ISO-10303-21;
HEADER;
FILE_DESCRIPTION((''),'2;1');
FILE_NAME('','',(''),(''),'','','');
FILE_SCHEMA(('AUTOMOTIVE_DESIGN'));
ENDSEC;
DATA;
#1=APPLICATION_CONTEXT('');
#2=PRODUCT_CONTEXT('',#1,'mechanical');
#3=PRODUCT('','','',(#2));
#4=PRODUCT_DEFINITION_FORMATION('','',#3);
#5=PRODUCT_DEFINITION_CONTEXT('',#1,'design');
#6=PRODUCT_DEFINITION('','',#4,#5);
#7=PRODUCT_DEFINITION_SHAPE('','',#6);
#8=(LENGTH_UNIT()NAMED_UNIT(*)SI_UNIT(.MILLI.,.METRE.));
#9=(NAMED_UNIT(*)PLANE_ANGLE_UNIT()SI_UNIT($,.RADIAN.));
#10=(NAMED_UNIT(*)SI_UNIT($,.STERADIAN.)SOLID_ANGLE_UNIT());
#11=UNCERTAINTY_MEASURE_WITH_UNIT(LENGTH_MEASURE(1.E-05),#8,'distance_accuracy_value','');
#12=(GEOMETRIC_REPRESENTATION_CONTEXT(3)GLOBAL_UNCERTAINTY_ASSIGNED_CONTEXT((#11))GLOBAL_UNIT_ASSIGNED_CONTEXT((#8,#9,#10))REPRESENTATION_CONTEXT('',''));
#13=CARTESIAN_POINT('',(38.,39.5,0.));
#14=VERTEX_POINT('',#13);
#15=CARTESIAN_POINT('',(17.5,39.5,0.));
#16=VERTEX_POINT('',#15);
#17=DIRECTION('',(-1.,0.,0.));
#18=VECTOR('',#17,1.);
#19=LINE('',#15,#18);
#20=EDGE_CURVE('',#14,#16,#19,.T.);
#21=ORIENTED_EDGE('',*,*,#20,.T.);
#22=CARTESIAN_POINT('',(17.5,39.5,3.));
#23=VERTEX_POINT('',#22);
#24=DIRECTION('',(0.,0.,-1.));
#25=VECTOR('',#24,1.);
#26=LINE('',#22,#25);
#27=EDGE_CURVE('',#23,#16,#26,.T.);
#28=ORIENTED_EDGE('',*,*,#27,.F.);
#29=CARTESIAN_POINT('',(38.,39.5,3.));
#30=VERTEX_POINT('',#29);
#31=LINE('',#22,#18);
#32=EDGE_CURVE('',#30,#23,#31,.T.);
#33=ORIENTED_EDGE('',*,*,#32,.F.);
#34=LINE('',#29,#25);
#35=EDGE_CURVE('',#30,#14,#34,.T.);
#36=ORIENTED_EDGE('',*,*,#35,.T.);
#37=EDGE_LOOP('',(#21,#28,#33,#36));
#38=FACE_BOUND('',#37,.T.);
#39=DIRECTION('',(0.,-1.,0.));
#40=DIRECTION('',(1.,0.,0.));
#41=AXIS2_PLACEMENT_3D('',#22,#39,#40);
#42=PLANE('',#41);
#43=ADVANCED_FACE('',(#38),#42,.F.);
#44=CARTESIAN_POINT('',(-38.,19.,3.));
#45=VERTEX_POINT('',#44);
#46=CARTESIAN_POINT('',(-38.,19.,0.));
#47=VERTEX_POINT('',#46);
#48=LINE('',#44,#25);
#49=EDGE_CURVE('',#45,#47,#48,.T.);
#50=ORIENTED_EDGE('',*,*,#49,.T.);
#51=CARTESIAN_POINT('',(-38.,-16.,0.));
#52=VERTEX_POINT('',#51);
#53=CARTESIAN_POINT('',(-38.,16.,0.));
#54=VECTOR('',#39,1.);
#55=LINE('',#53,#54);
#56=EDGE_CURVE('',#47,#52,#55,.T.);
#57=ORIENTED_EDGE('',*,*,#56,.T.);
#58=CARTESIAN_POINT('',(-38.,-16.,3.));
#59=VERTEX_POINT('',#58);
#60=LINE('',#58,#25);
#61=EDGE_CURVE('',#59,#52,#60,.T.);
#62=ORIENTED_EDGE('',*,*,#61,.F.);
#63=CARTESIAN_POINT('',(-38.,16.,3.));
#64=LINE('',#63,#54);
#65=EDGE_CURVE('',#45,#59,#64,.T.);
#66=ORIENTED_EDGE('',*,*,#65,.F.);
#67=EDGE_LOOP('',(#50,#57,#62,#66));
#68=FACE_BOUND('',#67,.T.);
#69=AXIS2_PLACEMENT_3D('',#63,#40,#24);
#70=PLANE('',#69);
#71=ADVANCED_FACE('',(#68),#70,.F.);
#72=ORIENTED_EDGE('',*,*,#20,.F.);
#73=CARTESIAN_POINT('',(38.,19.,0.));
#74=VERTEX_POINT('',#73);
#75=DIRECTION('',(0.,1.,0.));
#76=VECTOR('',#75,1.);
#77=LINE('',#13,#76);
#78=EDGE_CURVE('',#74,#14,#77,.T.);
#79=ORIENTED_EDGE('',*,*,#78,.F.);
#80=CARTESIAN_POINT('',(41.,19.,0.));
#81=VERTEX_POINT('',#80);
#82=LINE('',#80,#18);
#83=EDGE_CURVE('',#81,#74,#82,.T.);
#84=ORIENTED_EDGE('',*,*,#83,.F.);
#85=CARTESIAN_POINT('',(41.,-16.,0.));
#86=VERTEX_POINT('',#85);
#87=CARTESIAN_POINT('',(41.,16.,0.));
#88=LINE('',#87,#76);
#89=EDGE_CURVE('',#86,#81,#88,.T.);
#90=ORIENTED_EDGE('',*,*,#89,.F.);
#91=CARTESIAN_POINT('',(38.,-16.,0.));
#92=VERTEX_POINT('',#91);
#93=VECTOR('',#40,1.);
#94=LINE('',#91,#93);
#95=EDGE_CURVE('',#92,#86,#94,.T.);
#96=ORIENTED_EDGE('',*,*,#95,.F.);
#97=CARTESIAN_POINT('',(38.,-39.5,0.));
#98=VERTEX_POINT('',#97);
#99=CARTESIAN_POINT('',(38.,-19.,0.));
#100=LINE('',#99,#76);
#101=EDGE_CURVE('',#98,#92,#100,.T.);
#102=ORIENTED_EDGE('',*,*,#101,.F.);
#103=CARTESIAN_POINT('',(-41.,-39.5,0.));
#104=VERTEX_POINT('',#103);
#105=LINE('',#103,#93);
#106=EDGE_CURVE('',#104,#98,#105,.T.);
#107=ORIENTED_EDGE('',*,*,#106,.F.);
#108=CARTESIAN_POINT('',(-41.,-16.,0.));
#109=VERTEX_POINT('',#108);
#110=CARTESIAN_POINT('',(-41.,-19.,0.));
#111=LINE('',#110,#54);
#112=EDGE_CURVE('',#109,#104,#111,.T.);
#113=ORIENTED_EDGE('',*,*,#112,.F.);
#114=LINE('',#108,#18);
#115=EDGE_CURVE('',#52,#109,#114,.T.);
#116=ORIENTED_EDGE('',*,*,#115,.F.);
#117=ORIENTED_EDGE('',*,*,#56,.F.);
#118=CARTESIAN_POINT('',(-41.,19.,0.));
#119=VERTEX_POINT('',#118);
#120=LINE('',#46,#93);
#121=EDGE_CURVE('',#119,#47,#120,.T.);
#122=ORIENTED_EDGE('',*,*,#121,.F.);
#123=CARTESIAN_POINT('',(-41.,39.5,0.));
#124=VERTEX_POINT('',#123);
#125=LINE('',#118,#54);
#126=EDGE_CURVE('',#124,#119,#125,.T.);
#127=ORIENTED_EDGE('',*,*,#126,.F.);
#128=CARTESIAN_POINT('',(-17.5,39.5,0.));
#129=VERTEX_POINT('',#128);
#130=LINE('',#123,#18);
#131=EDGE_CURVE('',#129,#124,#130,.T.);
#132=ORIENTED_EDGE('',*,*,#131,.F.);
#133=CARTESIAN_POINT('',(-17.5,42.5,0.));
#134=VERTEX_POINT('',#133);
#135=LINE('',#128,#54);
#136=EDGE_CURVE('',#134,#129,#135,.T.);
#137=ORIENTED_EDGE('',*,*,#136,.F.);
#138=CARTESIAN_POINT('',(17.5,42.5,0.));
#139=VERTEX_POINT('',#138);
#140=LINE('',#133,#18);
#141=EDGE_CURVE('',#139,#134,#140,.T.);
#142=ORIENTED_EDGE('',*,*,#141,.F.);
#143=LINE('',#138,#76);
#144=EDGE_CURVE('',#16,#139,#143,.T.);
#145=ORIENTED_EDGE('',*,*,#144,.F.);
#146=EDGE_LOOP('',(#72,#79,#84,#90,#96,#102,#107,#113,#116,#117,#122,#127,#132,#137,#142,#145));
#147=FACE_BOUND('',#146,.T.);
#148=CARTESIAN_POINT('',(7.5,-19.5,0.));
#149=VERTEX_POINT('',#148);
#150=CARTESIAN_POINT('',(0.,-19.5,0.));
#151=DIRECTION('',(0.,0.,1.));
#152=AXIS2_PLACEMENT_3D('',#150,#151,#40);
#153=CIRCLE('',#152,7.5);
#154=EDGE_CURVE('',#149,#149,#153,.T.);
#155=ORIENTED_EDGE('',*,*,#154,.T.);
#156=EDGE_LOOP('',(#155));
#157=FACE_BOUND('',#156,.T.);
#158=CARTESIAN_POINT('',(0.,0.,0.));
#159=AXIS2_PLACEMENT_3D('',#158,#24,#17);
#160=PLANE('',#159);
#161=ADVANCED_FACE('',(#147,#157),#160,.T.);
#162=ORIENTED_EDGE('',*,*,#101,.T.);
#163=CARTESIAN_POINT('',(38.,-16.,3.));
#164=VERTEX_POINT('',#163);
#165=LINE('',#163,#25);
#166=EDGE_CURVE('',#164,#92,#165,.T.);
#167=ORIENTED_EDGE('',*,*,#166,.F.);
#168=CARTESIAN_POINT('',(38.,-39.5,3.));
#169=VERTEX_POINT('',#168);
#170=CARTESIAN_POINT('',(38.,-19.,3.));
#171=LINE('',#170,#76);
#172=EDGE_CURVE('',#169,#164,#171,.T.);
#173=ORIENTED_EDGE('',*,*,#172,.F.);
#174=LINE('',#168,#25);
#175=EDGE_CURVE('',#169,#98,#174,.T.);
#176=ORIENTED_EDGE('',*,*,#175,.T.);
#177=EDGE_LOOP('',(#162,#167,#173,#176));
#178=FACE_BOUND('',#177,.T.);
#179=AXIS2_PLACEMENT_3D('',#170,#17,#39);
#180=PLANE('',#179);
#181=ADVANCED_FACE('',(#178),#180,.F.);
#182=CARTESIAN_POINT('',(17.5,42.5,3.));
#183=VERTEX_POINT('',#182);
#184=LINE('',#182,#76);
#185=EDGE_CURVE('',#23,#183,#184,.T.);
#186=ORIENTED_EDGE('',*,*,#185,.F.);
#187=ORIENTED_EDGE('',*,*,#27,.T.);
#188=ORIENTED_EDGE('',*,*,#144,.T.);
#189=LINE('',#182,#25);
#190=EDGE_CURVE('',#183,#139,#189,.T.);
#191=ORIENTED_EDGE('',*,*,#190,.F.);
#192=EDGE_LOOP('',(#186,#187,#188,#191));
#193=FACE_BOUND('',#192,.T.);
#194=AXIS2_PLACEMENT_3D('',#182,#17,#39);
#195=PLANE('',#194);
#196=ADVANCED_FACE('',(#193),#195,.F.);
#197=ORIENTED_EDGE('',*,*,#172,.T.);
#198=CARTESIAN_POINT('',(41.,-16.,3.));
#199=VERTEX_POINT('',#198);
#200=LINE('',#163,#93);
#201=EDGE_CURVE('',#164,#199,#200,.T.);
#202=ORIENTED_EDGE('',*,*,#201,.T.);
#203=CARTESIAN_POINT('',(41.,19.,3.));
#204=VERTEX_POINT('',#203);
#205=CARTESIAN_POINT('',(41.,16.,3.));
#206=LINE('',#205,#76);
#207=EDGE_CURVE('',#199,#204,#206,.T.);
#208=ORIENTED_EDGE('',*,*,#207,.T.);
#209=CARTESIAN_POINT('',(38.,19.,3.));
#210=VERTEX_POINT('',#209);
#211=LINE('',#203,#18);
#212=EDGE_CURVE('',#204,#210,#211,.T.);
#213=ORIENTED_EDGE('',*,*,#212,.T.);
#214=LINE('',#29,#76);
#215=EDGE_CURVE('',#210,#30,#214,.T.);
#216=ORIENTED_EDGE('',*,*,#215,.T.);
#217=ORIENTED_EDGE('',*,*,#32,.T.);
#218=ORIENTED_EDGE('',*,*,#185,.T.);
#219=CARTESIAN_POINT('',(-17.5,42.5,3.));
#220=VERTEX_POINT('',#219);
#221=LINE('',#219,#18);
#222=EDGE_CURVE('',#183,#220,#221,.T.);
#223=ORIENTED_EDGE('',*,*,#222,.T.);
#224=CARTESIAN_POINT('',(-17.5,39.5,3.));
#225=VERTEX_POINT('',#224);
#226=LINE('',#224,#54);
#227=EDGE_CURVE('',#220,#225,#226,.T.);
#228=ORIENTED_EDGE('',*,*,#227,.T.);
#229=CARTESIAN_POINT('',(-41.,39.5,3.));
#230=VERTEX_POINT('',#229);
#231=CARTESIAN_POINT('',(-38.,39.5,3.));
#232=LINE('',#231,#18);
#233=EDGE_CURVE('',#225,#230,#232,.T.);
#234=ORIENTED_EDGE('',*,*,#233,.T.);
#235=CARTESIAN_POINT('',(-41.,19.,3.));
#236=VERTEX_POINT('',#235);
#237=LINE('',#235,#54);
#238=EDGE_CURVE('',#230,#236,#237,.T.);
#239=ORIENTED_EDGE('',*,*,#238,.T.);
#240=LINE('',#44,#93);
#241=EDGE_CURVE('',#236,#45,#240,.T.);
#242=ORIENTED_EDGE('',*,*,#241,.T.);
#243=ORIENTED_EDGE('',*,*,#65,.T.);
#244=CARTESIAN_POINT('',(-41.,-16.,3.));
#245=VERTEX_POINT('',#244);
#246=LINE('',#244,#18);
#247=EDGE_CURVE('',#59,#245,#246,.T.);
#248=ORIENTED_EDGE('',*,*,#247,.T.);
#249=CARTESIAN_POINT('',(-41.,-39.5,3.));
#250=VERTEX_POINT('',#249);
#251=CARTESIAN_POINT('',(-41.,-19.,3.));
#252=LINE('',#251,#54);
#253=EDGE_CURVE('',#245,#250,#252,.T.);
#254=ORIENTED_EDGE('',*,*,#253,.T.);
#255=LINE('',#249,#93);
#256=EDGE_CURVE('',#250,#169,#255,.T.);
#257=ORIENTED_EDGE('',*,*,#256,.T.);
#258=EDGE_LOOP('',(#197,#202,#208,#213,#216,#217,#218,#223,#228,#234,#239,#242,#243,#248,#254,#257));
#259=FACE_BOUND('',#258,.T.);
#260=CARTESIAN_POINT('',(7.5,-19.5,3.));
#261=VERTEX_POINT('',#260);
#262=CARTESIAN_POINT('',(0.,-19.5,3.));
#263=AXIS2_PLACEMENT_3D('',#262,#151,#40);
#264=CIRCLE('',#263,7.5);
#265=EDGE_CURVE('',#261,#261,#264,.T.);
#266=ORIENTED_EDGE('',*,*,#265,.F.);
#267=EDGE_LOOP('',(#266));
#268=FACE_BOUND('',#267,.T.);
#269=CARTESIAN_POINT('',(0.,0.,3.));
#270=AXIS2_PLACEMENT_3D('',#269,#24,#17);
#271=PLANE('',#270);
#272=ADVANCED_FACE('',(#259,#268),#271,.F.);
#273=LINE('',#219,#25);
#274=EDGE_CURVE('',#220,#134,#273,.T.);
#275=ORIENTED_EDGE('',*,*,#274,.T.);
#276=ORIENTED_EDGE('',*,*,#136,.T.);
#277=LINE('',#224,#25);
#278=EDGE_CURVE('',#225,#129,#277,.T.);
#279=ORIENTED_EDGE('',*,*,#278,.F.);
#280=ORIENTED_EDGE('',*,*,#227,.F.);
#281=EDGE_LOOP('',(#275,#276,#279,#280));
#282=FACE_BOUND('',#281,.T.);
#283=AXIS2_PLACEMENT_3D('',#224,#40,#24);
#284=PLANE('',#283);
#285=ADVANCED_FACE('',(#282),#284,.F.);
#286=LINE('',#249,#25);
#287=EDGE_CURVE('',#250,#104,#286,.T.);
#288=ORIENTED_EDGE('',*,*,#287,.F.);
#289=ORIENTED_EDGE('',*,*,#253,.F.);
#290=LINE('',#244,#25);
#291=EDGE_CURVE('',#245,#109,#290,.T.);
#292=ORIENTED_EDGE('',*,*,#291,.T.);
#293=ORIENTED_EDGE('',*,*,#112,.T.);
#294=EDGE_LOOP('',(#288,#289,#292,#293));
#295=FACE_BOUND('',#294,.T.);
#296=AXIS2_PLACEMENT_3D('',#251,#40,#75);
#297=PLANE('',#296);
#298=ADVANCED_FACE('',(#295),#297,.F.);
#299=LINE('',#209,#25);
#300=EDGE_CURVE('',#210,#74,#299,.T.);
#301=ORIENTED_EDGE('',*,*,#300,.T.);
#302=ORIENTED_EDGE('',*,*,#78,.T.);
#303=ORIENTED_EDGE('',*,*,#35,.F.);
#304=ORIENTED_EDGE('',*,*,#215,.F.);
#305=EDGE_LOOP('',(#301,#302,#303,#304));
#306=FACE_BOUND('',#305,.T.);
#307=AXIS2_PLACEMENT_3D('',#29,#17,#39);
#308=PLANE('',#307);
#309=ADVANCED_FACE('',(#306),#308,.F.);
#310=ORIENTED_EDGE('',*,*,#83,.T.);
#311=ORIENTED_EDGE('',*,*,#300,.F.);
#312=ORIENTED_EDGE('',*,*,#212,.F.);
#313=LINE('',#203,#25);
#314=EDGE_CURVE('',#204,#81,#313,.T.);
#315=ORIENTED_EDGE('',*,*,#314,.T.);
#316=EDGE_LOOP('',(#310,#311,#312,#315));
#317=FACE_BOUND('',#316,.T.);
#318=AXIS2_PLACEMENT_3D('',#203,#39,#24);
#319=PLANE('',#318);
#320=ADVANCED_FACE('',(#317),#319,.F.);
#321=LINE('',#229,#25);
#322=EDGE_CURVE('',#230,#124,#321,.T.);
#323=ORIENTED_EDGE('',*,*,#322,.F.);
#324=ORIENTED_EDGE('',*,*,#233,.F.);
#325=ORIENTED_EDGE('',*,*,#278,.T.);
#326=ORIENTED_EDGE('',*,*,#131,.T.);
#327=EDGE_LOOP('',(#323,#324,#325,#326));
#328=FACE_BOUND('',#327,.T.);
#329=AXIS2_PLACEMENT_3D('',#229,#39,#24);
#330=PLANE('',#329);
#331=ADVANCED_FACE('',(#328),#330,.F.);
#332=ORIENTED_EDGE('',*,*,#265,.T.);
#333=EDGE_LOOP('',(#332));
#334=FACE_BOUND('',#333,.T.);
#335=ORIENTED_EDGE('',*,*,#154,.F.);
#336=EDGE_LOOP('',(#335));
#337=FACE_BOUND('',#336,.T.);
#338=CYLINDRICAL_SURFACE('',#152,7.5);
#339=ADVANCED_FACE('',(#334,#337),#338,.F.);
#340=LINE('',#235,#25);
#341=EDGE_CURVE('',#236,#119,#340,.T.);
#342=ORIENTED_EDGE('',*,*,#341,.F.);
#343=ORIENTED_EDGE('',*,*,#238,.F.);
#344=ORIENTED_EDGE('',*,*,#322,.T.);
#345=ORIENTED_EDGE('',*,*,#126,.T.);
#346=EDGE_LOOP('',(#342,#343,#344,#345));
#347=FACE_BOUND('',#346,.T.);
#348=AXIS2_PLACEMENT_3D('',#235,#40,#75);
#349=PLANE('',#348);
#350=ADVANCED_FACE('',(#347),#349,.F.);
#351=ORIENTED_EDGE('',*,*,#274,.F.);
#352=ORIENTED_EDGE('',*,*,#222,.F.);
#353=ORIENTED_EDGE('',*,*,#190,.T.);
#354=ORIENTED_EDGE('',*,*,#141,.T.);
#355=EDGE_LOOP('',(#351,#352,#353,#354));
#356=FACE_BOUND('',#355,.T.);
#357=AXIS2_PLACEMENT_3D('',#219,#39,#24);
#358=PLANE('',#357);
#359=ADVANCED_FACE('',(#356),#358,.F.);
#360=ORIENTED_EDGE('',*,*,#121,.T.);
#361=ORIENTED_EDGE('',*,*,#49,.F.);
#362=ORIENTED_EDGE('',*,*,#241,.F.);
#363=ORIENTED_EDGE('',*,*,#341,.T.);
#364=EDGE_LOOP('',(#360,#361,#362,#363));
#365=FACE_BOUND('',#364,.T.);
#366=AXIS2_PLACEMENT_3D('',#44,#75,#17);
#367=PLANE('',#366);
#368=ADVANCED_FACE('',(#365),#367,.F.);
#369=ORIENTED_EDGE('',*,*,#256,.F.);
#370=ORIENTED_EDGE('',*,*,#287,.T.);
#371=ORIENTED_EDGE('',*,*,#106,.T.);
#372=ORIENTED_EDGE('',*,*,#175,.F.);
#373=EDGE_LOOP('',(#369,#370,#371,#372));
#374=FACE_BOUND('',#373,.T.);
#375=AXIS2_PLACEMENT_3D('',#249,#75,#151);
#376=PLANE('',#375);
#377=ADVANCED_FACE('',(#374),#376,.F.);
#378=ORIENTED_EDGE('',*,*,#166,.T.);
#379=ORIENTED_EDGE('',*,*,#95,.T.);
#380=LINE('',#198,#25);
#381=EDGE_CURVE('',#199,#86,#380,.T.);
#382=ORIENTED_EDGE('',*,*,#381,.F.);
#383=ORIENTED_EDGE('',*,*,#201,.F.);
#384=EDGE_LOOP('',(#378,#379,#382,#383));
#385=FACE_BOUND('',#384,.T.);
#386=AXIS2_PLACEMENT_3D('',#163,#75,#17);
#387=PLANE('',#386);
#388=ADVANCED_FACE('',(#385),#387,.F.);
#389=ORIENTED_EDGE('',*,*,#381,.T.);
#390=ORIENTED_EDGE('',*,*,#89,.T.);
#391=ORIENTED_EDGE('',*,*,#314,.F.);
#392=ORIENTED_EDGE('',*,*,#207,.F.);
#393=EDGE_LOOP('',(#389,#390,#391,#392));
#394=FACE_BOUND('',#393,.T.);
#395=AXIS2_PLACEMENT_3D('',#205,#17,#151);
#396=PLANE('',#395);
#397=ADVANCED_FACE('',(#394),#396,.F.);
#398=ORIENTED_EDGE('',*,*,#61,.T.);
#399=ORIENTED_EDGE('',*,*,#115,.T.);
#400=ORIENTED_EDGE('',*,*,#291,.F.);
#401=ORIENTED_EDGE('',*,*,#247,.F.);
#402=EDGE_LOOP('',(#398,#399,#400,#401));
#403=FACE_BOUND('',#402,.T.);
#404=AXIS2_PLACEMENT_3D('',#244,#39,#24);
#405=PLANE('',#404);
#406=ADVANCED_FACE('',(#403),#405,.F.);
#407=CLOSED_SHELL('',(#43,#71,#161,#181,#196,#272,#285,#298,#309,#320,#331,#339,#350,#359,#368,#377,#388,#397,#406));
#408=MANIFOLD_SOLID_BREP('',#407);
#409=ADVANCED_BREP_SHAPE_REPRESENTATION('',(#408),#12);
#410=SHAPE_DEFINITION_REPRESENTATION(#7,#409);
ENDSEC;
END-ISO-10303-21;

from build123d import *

# Parameters (mm, degrees)
BOSS_EXTRUDE1_DEPTH = 3
SKETCH2_R           = 7.5
CUT_EXTRUDE1_DEPTH  = 3


with BuildPart() as part:
    # Sketch1 → Boss-Extrude1 (new body)
    with BuildSketch(Plane.XY):
        Polygon((-38, 39.5), (-17.5, 39.5), (-17.5, 42.5), (17.5, 42.5), (17.5, 39.5), (38, 39.5), (38, 19), (41, 19), (41, 16), (41, -16), (38, -16), (38, -19), (38, -39.5), (-41, -39.5), (-41, -19), (-41, -16), (-38, -16), (-38, 16), (-38, 19), (-41, 19), (-41, 39.5), align=None)
    extrude(amount=BOSS_EXTRUDE1_DEPTH)

    # Sketch2 → Cut-Extrude1 (cut)
    with BuildSketch(Plane.XY.offset(3)):
        with Locations((0, -19.5)):
            Circle(SKETCH2_R)
    extrude(amount=-CUT_EXTRUDE1_DEPTH, mode=Mode.SUBTRACT)


solid = part.part
